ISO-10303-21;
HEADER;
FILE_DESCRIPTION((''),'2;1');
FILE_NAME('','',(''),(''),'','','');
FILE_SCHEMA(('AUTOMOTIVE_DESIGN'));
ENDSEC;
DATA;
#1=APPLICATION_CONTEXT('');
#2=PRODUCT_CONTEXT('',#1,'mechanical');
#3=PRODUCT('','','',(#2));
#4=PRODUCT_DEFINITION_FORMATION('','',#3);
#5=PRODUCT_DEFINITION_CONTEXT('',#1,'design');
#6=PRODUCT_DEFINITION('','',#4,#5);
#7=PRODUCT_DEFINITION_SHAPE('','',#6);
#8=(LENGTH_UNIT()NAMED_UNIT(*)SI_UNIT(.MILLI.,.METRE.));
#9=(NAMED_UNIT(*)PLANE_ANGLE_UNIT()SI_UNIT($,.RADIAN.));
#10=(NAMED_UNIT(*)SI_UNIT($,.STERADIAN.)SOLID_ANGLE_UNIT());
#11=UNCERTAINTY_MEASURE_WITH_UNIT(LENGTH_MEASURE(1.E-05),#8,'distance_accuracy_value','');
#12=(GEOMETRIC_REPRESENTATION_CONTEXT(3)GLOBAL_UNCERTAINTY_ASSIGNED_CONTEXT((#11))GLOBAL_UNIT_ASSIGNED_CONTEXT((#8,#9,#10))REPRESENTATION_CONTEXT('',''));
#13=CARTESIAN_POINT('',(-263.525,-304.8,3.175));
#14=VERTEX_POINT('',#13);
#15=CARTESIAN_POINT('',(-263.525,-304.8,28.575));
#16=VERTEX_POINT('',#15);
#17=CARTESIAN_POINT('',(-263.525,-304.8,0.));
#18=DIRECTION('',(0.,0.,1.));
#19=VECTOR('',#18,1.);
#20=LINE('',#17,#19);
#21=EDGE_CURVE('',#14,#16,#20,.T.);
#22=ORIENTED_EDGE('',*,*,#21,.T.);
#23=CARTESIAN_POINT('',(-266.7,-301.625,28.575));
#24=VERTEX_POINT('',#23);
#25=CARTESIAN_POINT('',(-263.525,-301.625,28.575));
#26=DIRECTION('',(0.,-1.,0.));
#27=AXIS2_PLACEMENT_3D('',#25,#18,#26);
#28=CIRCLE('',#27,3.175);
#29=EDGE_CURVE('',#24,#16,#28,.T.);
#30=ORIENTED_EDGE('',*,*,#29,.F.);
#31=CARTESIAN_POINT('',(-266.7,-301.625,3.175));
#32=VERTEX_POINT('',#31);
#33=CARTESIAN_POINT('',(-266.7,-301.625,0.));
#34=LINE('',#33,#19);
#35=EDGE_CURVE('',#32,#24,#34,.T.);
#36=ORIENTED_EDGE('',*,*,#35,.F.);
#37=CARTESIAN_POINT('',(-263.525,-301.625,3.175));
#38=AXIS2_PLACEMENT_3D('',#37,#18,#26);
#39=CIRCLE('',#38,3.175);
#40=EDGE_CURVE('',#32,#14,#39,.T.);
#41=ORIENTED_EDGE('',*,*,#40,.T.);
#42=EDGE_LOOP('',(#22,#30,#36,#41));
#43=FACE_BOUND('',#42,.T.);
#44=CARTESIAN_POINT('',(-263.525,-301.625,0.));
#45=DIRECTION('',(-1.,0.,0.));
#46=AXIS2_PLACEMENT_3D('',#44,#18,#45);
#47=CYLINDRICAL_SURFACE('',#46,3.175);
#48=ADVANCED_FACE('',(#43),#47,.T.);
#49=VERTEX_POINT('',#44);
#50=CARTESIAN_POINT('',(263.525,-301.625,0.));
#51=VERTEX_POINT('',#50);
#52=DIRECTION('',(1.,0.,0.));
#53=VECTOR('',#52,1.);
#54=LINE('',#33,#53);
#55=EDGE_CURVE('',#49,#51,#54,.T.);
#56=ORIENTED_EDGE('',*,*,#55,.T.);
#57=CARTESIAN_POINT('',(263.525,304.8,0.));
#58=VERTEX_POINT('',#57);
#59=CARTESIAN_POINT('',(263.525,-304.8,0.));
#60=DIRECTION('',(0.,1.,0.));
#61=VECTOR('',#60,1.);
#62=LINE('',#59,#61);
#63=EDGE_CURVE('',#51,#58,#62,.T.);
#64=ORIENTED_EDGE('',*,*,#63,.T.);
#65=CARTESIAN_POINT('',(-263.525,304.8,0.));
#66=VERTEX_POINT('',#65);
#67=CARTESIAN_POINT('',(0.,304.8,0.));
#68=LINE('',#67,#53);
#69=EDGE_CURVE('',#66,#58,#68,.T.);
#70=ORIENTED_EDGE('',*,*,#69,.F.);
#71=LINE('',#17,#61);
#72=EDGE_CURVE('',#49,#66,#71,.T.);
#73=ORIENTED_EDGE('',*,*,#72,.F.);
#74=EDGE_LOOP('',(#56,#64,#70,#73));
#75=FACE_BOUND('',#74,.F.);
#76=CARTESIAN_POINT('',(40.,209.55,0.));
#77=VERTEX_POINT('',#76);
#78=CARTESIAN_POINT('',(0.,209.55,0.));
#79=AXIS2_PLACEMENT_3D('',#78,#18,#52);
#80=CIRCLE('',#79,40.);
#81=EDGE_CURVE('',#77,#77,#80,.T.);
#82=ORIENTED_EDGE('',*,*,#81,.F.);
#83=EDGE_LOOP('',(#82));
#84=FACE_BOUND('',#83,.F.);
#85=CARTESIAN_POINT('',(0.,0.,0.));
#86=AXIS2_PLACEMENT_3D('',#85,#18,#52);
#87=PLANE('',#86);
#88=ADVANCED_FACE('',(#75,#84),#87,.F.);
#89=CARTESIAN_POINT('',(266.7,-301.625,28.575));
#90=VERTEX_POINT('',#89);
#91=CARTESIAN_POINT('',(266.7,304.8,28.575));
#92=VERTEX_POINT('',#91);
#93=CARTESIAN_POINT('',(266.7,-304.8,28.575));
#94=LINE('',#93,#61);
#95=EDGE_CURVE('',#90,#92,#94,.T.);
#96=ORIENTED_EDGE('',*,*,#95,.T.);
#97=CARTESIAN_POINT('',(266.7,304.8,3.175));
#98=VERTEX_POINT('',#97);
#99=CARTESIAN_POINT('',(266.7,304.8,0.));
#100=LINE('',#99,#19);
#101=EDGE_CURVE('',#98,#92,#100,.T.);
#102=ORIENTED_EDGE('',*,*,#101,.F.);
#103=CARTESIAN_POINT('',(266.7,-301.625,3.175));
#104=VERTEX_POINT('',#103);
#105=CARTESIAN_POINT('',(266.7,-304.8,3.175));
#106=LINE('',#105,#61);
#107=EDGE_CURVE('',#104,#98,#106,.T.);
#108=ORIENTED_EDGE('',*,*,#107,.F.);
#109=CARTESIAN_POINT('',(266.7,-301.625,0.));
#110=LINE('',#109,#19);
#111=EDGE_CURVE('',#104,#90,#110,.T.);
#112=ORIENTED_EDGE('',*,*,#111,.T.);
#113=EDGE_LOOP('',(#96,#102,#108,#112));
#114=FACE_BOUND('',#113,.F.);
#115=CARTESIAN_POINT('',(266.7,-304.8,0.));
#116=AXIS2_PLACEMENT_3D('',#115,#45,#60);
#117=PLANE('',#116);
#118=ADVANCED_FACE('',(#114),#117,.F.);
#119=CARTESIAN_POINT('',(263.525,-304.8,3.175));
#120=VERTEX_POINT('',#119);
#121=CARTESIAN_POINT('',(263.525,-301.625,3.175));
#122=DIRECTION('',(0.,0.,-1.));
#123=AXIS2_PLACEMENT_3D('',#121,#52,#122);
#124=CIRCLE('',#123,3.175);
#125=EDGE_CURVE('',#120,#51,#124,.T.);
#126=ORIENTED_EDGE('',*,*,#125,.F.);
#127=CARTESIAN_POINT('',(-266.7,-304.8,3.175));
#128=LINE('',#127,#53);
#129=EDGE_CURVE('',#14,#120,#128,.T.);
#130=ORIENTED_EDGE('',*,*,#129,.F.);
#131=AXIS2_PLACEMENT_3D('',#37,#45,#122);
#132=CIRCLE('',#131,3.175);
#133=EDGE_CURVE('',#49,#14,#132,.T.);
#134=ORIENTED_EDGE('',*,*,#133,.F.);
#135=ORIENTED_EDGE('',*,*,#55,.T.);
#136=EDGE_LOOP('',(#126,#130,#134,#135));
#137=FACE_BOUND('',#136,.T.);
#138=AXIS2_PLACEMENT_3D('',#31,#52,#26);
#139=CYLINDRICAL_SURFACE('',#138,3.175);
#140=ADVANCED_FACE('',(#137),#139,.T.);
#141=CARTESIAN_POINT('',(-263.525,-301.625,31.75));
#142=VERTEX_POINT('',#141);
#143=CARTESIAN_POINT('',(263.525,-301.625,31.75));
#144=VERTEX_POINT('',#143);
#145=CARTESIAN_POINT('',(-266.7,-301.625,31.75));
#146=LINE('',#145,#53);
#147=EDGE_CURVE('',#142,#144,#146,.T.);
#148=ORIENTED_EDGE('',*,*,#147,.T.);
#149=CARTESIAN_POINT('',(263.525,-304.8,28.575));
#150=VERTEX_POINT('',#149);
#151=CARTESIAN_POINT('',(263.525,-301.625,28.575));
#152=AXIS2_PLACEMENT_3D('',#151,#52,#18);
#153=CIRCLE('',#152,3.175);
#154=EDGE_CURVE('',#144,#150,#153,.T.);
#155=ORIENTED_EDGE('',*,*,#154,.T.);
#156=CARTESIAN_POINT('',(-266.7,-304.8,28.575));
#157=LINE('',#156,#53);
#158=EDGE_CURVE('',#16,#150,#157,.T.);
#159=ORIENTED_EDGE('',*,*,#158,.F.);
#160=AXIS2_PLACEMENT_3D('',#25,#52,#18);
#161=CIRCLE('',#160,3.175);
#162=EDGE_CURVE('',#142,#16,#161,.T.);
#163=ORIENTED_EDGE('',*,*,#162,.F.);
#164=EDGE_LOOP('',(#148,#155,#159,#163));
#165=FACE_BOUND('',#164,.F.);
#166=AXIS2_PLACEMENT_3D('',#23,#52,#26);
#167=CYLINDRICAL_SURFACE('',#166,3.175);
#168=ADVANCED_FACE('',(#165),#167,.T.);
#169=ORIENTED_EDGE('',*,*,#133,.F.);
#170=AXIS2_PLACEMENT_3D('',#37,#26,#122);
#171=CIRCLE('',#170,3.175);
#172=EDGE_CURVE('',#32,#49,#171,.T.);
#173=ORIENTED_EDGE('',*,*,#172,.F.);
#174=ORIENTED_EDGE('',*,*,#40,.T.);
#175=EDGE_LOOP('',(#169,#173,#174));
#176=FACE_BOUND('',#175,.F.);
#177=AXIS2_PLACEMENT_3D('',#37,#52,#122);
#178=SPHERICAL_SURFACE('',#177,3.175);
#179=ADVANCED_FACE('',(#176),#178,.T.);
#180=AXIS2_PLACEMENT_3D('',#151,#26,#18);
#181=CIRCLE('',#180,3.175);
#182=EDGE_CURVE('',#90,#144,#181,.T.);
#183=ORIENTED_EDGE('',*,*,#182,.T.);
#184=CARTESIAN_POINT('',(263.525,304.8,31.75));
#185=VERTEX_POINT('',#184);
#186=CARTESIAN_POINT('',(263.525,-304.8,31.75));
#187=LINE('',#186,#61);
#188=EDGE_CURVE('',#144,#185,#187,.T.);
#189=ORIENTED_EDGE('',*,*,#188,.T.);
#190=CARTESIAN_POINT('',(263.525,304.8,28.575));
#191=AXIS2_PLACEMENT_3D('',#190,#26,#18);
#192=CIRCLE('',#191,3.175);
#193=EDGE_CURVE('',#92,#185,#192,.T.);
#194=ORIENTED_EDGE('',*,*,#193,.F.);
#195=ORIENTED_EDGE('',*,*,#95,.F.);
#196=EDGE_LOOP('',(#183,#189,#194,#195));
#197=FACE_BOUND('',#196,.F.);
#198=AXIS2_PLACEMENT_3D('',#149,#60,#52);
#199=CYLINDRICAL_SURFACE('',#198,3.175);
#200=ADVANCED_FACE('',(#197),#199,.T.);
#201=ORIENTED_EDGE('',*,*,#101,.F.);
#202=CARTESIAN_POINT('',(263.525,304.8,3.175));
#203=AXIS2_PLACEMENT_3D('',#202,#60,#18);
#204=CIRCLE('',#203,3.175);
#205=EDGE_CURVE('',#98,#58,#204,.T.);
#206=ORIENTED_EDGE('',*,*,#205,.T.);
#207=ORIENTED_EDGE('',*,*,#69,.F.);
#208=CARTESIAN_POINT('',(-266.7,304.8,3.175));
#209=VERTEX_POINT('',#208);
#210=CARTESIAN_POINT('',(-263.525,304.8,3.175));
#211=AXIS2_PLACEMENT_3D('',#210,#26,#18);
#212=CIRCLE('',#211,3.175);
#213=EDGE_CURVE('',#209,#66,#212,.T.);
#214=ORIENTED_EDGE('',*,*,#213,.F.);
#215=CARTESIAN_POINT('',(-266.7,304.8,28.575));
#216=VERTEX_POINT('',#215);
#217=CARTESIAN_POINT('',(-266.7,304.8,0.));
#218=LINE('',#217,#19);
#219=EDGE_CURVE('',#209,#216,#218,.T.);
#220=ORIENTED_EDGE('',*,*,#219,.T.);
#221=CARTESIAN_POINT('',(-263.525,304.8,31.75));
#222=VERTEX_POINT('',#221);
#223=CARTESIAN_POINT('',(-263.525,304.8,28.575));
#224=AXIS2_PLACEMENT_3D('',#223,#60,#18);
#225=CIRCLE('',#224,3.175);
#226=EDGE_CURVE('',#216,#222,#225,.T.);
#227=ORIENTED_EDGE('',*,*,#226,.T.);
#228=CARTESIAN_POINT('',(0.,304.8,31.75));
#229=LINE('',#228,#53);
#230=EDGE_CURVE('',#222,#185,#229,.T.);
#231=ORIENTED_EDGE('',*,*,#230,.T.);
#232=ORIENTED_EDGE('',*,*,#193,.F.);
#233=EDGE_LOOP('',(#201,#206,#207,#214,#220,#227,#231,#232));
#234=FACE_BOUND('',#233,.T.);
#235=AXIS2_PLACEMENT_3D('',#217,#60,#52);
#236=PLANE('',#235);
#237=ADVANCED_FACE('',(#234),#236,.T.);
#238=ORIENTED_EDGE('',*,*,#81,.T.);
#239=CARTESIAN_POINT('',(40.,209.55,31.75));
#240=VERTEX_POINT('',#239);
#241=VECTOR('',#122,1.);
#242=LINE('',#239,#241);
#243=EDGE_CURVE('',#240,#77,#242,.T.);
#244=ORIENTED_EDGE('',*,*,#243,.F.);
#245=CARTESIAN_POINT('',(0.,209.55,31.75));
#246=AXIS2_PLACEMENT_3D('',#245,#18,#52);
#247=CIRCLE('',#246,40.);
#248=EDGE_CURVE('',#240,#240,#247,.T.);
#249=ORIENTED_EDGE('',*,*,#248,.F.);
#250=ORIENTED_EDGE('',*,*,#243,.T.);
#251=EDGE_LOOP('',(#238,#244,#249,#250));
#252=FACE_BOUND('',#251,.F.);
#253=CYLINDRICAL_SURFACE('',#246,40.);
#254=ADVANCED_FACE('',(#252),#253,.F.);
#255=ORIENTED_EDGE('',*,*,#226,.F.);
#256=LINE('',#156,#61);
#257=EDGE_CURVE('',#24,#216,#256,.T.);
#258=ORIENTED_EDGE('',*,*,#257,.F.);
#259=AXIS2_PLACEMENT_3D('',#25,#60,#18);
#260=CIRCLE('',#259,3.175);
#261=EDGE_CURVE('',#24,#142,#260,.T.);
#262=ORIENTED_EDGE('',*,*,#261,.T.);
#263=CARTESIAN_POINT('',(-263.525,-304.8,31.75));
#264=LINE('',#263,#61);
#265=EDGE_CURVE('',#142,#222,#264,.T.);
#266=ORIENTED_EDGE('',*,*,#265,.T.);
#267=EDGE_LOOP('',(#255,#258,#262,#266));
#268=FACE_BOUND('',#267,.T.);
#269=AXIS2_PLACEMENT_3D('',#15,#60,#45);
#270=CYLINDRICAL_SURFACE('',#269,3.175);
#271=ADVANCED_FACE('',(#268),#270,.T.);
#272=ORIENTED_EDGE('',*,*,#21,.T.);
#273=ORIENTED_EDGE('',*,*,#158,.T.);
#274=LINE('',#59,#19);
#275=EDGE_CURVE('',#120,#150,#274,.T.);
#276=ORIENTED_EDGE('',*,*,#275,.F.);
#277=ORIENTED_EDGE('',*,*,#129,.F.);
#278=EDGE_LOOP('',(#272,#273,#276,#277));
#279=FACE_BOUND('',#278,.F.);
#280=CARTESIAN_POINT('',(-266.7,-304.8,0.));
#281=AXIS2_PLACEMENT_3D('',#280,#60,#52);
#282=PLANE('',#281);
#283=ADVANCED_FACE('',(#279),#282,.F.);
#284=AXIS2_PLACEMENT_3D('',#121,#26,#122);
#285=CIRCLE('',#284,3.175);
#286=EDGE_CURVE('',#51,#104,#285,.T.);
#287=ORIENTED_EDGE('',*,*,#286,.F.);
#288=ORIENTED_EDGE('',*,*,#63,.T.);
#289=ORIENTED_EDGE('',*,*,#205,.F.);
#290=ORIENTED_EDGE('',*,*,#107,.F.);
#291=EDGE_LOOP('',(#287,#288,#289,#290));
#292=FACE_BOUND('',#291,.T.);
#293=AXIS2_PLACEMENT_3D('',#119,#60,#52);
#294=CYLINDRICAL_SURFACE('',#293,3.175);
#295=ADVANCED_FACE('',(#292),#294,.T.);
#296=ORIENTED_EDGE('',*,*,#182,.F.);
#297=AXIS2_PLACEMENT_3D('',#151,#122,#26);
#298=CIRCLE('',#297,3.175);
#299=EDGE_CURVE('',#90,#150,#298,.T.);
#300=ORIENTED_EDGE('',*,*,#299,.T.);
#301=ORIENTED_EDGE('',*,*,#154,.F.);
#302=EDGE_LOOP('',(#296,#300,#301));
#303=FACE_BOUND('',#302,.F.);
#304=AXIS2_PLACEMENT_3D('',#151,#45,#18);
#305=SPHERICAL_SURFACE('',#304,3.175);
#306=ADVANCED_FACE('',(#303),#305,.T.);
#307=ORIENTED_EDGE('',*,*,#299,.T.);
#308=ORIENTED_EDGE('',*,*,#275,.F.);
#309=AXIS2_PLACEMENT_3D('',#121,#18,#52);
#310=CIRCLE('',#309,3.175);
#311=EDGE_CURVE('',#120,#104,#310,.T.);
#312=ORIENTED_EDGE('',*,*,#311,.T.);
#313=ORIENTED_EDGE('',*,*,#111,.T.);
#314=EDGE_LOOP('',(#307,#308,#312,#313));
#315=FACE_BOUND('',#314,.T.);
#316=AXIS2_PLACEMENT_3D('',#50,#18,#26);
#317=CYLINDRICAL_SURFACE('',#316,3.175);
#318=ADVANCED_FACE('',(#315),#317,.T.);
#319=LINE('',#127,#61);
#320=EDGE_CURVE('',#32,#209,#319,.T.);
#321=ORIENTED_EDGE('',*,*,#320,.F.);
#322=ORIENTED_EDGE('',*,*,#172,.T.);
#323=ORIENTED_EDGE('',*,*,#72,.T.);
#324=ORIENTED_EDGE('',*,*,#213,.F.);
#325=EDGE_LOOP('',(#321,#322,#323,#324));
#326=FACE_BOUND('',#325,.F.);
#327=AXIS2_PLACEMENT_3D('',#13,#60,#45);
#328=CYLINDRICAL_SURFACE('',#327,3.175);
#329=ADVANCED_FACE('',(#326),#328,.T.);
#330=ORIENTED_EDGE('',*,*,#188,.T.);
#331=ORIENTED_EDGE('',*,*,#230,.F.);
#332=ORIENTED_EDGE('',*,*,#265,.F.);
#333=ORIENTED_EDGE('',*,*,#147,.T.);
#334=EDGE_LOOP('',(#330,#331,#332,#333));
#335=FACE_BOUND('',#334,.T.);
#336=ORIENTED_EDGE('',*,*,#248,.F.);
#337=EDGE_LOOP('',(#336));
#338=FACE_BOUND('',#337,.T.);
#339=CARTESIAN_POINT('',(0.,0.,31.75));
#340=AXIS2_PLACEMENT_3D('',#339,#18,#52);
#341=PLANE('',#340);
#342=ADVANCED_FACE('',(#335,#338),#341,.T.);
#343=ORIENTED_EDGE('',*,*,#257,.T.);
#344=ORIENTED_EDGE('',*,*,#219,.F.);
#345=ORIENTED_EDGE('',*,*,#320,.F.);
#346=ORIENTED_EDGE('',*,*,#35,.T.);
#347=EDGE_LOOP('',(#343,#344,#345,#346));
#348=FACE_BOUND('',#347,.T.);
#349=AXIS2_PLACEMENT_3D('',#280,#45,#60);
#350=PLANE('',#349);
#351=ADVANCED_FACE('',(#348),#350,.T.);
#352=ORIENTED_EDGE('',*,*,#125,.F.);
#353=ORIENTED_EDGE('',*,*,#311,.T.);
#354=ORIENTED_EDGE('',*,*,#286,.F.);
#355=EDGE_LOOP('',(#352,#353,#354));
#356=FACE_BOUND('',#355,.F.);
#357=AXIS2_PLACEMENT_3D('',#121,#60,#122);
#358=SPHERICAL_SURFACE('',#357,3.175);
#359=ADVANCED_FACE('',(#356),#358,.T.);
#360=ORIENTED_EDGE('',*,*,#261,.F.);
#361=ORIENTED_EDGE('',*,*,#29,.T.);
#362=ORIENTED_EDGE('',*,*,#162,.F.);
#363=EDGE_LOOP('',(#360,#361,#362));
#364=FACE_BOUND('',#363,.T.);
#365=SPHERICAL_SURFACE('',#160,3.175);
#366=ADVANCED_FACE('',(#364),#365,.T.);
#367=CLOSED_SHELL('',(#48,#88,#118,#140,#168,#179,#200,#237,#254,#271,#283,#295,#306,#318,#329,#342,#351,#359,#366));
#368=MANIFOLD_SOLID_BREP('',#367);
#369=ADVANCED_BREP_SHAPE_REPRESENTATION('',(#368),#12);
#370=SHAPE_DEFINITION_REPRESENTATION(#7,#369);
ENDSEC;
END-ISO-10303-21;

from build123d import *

# Parameters (mm, degrees)
F0_W     = 533.4
F0_H     = 609.6
F1_DEPTH = 31.75
F2_R     = 3.175
F3_R     = 40
F4_DEPTH = 31.751


with BuildPart() as f1:
    # F0 (on Top) → F1 (new body)
    with BuildSketch(Plane.XY):
        Rectangle(F0_W, F0_H)
    extrude(amount=F1_DEPTH)

    # F2
    f2_edges = [f1.edges().sort_by_distance(p)[0] for p in [
        (0, -304.8, 31.75),
        (-266.7, 0, 31.75),
        (266.7, 0, 31.75),
        (266.7, 0, 0),
        (0, -304.8, 0),
        (-266.7, 0, 0),
        (-266.7, -304.8, 15.875),
        (266.7, -304.8, 15.875),
    ]]
    fillet(f2_edges, radius=F2_R)

    # F3 (on face) → F4 (cut, through all)
    with BuildSketch(Plane.XY.offset(31.75)):
        with Locations((0, 209.55)):
            Circle(F3_R)
    extrude(amount=-F4_DEPTH, mode=Mode.SUBTRACT)


solid = f1.part
